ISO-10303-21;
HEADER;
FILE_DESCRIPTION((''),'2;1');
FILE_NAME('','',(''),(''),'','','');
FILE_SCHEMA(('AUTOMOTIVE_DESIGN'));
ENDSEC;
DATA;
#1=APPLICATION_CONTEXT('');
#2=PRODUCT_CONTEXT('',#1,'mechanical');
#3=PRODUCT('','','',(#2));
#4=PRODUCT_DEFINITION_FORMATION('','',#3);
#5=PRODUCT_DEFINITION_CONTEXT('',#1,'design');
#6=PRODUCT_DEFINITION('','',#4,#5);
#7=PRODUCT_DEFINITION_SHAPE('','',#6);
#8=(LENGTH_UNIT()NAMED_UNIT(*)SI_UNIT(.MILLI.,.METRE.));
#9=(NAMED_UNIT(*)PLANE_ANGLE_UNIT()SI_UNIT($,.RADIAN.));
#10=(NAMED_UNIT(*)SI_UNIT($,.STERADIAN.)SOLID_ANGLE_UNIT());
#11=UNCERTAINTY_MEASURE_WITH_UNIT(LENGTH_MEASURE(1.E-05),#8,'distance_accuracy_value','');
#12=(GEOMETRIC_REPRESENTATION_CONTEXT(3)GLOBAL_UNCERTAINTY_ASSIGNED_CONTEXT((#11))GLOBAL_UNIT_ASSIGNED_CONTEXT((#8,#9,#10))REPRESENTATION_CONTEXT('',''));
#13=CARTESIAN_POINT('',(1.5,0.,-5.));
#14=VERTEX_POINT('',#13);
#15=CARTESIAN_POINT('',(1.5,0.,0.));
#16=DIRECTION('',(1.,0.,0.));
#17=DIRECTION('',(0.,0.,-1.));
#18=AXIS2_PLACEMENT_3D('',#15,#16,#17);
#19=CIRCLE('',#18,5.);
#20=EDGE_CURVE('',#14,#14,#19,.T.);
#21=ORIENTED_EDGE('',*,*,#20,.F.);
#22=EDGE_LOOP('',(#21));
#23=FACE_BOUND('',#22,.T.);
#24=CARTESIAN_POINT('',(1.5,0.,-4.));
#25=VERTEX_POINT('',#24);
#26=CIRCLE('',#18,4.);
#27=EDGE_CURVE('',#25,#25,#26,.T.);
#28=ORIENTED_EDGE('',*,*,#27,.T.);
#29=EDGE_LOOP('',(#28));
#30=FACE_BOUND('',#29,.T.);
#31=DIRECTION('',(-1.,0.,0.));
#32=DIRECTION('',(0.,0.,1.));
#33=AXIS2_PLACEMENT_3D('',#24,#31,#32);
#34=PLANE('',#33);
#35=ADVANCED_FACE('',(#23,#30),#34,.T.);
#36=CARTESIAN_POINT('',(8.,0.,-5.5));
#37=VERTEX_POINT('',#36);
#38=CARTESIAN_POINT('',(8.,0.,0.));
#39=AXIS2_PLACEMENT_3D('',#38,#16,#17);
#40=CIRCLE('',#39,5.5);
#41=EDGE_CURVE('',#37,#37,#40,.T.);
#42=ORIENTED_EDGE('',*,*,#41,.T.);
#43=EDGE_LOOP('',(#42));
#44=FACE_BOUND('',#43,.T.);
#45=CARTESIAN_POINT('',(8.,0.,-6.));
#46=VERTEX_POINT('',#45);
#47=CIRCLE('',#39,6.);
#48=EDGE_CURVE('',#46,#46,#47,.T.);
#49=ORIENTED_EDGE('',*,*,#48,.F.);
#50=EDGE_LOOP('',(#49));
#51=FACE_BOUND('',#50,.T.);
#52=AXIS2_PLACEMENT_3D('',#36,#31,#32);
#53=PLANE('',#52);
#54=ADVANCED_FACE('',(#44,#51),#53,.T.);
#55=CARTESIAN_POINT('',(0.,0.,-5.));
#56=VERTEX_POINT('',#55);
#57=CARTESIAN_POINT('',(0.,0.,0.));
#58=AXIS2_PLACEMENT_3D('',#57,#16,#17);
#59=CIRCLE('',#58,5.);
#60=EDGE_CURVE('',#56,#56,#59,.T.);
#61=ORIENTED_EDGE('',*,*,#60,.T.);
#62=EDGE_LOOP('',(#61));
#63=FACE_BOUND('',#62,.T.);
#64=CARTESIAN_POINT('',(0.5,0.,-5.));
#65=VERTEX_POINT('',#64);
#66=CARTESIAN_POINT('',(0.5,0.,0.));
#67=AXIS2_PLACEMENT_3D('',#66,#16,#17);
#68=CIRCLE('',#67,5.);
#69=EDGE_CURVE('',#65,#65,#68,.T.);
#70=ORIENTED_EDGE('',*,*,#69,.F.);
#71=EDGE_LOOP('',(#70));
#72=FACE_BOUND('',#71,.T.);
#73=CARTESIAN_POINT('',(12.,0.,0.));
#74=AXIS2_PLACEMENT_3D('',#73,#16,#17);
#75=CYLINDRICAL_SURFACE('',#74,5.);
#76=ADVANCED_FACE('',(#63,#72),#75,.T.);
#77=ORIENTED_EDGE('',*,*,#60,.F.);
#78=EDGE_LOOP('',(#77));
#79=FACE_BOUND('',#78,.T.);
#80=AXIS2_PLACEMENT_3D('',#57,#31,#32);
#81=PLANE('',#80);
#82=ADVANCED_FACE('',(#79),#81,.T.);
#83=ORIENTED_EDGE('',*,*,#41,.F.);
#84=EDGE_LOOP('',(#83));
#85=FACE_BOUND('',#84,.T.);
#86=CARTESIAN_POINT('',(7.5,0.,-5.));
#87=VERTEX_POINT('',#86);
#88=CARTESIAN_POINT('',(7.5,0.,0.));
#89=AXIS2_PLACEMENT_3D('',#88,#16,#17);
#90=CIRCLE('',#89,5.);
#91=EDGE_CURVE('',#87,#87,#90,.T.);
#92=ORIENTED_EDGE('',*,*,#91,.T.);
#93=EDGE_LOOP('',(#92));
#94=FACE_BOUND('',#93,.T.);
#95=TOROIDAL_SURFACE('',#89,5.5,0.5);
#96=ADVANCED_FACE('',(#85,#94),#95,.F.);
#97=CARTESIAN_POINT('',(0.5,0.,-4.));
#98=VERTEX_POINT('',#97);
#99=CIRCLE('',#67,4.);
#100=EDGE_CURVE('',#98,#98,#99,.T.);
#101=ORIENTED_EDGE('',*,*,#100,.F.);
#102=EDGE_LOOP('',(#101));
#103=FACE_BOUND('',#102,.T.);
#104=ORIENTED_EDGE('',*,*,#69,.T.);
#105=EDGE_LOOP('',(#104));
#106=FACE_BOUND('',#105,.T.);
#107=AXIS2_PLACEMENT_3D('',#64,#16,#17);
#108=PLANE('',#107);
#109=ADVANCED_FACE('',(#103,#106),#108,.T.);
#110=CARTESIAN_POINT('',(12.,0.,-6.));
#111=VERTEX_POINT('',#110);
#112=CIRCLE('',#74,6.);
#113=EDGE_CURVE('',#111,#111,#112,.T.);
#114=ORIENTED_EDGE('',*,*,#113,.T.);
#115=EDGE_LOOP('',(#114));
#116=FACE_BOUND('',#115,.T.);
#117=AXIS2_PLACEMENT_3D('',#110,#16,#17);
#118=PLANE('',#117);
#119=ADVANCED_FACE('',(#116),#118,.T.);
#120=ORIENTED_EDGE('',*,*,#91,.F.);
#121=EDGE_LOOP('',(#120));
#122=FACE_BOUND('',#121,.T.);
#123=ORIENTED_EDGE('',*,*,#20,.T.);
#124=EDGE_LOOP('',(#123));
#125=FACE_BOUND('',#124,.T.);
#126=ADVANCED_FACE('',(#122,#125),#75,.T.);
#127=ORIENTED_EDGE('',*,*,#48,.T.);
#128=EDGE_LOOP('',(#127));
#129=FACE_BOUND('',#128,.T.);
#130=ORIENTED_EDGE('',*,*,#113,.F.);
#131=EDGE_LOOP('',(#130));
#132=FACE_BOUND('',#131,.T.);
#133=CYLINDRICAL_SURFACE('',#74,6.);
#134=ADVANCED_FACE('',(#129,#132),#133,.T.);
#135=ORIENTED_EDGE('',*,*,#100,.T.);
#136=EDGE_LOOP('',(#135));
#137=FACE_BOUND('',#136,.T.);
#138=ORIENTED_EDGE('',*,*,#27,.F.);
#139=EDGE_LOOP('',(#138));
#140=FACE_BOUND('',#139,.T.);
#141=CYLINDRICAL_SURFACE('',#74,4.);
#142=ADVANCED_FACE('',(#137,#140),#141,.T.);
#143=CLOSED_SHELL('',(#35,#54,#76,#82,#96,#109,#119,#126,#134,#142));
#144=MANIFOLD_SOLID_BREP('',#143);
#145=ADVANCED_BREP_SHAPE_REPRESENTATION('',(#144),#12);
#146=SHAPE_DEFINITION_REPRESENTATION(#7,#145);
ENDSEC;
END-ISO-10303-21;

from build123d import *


with BuildPart() as part:
    # Sketch1 → Revolve1 (revolve)
    with BuildSketch(Plane(origin=(0, 0, 0), x_dir=(1, 0, 0), z_dir=(0, 1, 0))):
        with BuildLine():
            Line((0, 0), (0, 5))
            Line((0, 5), (0.5, 5))
            Line((0.5, 5), (0.5, 4))
            Line((0.5, 4), (1.5, 4))
            Line((1.5, 4), (1.5, 5))
            Line((1.5, 5), (7.5, 5))
            ThreePointArc((7.5, 5), (7.853553391, 5.146446609), (8, 5.5))
            Line((8, 5.5), (8, 6))
            Line((8, 6), (12, 6))
            Line((12, 6), (12, 0))
            Line((12, 0), (0, 0))
        make_face()
    revolve(axis=Axis((12, 0, 0), (-1, 0, 0)))


solid = part.part
